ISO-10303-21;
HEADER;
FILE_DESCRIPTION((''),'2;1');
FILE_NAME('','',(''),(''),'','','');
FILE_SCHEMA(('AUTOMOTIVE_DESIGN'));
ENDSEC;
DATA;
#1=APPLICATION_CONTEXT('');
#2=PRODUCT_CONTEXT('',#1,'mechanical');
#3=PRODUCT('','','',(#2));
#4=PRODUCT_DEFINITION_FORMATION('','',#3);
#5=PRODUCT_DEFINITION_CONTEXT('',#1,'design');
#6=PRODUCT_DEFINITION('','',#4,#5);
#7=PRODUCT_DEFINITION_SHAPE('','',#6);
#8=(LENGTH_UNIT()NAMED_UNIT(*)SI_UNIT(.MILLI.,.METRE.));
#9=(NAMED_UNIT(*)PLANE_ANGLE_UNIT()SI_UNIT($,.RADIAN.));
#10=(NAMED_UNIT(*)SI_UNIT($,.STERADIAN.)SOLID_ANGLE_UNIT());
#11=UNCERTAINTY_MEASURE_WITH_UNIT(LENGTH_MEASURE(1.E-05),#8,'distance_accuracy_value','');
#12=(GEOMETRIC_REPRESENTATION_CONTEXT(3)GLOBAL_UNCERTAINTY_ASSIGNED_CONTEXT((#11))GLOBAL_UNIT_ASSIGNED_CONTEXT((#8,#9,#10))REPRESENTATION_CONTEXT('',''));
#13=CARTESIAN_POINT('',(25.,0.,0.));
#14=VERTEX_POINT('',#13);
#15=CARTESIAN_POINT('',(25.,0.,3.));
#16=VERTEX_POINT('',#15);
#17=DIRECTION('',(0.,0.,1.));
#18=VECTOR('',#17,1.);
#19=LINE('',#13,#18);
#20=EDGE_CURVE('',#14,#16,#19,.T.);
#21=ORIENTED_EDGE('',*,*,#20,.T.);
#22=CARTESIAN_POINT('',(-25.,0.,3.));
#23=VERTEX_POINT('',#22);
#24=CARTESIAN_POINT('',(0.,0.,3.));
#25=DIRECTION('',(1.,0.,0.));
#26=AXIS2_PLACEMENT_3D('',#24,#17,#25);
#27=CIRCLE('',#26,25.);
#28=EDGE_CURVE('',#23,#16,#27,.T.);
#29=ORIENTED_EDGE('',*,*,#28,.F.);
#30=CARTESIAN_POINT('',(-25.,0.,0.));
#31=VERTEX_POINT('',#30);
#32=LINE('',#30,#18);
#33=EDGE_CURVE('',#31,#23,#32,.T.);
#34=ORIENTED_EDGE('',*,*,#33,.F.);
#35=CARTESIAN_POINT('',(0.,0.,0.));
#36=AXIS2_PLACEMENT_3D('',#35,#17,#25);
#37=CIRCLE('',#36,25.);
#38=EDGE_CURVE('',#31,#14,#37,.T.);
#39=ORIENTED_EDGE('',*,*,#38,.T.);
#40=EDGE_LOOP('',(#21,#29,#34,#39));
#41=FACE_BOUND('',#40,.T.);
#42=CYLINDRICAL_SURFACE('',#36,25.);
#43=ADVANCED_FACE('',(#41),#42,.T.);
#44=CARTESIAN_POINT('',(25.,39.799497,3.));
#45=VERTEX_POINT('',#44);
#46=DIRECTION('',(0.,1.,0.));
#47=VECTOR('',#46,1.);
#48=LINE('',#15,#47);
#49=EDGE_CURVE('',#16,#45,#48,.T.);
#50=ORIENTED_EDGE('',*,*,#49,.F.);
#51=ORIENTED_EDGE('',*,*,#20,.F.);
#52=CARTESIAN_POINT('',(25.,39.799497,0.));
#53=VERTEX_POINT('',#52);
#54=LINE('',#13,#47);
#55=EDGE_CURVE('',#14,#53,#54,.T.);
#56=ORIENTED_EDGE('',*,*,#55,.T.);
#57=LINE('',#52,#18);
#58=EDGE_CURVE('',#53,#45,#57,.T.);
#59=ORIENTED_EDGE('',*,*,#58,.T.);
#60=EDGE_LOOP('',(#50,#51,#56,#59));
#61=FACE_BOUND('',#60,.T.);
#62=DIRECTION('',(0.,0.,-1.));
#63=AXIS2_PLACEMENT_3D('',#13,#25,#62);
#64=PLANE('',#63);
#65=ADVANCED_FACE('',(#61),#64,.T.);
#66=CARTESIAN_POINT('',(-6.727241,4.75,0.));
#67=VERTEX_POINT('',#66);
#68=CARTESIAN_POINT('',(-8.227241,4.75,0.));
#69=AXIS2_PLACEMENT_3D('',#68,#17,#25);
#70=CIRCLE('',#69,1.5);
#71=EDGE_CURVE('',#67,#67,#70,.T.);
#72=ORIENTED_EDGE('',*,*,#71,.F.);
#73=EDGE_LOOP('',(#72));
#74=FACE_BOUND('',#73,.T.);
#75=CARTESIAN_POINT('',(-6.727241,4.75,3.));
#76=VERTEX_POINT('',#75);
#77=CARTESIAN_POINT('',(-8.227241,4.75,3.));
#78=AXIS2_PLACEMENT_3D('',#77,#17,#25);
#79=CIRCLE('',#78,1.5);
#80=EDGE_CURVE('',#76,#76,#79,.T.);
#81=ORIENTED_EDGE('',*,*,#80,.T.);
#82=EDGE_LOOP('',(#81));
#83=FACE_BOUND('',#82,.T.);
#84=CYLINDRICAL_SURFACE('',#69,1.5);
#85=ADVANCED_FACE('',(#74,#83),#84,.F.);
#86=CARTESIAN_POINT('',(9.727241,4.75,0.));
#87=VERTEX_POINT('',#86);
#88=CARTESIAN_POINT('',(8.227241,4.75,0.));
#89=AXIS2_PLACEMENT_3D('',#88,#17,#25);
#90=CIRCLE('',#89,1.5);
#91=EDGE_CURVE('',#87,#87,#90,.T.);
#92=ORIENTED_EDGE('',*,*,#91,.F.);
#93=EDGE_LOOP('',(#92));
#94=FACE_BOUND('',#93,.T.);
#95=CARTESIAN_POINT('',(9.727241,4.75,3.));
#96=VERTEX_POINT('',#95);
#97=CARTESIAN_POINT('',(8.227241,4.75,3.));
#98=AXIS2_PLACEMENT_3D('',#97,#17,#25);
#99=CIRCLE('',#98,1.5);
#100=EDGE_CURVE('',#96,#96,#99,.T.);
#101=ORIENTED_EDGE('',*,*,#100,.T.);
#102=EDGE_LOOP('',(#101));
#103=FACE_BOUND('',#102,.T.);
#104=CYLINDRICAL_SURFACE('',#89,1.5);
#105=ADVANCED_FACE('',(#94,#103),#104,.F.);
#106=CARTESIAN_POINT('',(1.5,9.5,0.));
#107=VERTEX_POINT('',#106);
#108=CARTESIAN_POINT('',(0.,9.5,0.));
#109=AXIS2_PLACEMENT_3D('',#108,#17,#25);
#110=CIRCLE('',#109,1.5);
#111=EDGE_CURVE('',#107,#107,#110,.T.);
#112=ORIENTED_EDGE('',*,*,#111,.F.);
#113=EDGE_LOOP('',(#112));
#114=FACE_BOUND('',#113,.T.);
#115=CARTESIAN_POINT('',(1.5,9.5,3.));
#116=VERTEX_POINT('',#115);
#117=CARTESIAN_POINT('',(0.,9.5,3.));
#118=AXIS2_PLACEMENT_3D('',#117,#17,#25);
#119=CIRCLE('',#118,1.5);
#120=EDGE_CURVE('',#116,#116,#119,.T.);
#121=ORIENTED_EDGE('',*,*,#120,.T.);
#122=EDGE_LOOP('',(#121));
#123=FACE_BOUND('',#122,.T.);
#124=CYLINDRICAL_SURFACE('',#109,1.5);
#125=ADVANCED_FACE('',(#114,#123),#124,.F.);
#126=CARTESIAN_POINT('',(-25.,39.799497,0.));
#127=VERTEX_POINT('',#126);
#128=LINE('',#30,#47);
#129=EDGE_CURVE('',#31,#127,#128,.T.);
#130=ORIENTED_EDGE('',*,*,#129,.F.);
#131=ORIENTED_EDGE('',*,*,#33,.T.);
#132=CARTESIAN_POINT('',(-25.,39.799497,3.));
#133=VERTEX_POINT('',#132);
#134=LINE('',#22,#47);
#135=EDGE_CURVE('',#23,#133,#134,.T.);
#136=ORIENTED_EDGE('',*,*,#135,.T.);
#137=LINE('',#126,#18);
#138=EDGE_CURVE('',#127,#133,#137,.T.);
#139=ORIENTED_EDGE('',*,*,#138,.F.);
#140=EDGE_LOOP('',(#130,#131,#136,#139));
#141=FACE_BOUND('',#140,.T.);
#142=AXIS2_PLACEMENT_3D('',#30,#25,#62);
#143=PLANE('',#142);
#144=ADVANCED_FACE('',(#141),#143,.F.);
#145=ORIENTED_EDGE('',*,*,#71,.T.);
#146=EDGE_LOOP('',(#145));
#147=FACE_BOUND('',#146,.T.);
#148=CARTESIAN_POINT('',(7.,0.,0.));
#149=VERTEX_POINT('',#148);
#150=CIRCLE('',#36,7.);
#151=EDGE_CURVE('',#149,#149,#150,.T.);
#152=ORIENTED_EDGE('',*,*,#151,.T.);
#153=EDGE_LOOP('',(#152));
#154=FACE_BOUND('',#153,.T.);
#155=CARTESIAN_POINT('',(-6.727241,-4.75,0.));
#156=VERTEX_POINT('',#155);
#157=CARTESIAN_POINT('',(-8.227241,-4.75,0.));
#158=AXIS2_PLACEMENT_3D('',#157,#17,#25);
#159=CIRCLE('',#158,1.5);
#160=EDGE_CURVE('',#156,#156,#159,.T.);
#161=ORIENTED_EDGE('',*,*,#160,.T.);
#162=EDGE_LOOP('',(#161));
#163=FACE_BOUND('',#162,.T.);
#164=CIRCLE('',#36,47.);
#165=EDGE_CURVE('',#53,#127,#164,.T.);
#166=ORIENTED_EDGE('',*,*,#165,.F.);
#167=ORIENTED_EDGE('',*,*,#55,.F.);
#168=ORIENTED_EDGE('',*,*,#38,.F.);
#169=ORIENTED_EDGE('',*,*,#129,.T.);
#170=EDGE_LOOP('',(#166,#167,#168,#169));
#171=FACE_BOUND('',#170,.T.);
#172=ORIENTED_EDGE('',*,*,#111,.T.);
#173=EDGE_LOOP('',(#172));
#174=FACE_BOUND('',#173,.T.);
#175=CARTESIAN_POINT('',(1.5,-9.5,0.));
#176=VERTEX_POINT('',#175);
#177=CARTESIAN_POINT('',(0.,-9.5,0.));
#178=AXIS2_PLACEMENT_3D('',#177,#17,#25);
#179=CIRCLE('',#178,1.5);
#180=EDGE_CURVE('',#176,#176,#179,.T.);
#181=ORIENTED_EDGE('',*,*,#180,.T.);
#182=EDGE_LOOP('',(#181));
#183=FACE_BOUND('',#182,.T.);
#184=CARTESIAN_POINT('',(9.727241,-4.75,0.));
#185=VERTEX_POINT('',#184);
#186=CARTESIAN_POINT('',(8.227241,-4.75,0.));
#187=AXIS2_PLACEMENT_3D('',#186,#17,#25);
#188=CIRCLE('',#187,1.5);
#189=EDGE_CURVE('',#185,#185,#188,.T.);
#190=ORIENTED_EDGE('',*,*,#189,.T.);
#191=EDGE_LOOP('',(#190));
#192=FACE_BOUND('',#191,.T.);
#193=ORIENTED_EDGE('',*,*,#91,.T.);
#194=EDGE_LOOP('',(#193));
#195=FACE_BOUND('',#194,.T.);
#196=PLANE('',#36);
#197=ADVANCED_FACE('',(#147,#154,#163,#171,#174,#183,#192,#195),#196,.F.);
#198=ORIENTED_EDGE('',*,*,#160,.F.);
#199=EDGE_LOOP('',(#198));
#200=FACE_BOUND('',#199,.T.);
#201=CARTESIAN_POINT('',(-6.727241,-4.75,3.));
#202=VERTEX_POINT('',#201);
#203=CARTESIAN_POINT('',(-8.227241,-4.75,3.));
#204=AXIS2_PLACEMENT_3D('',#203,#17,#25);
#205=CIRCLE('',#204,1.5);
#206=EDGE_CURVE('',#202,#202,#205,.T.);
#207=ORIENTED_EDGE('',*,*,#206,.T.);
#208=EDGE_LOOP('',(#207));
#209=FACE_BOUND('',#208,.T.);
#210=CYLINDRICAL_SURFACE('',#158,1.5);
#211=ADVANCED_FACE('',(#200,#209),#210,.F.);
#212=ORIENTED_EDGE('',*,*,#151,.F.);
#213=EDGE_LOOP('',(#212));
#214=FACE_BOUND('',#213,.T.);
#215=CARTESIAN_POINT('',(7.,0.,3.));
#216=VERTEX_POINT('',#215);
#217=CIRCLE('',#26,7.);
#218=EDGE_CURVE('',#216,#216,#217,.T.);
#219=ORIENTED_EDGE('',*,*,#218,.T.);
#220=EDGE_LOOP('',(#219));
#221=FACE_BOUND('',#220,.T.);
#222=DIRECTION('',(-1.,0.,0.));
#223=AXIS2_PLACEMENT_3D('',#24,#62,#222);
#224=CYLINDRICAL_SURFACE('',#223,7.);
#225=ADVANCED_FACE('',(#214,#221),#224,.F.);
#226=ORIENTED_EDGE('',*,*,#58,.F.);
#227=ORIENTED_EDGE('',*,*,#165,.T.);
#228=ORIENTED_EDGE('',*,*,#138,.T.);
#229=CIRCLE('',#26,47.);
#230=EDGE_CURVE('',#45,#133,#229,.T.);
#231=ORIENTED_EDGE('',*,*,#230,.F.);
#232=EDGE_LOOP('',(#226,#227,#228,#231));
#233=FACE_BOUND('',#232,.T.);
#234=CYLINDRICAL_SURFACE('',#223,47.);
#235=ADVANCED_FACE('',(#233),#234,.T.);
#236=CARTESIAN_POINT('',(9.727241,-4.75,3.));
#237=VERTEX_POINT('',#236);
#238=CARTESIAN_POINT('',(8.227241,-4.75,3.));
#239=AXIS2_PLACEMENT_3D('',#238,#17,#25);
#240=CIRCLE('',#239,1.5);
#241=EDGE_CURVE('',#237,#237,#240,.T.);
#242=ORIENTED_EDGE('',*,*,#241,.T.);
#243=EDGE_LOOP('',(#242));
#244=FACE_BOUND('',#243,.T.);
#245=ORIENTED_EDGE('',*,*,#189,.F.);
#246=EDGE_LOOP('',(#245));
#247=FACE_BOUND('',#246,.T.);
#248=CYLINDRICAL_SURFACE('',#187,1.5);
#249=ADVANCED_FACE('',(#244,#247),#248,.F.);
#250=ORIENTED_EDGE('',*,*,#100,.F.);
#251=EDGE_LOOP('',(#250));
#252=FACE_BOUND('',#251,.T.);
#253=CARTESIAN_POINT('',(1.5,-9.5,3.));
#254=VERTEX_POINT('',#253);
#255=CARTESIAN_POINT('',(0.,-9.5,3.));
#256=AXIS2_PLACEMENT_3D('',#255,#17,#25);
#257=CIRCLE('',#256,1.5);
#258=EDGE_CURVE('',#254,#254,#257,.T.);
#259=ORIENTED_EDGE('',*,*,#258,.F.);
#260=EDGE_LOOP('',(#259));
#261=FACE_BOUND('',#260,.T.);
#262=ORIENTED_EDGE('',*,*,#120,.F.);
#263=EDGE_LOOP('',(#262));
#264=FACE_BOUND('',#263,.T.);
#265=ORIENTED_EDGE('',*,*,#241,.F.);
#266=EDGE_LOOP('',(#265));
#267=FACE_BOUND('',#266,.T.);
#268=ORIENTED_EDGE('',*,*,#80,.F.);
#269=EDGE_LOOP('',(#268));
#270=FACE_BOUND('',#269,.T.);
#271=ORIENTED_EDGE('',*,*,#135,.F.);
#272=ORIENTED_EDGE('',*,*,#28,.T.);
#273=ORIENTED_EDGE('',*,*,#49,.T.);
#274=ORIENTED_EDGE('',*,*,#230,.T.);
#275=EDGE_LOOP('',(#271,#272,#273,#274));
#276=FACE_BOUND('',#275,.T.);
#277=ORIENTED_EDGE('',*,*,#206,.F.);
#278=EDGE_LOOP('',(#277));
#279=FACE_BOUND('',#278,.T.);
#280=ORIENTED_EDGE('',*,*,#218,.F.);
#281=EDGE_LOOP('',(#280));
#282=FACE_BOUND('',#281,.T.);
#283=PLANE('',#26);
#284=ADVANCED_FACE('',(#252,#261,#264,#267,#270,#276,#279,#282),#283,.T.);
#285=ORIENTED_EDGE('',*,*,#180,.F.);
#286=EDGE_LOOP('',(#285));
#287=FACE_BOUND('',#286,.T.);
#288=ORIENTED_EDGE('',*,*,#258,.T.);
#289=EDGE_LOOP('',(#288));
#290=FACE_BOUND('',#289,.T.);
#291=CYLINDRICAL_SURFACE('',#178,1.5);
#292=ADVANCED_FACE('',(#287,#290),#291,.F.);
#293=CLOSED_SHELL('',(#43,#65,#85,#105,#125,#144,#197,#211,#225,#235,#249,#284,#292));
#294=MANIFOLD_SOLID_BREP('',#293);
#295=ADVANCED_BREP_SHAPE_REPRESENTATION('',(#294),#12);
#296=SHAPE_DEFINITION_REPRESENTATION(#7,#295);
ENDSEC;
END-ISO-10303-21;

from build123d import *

# Parameters (mm, degrees)
ESQUISSE1_R             = 47
ESQUISSE1_R_2           = 7
BOSS_EXTRU_1_DEPTH      = 3
ESQUISSE2_R             = 1.5
ENL_V_MAT_EXTRU_1_DEPTH = 67.535704701


with BuildPart() as part:
    # Esquisse1 → Boss.-Extru.1 (new body)
    with BuildSketch(Plane.XY):
        Circle(ESQUISSE1_R)
        Circle(ESQUISSE1_R_2, mode=Mode.SUBTRACT)
    extrude(amount=BOSS_EXTRU_1_DEPTH)

    # Esquisse2 → Enlèv. mat.-Extru.1 (cut, through all)
    with BuildSketch(Plane.XY.offset(3)):
        with BuildLine():
            Line((25, 39.799497484), (25, 0))
            ThreePointArc((25, 0), (0, -25), (-25, 0))
            Line((-25, 0), (-25, 39.799497484))
            ThreePointArc((-25, 39.799497484), (0, -47), (25, 39.799497484))
        make_face()
        with Locations((0, 9.5)):
            Circle(ESQUISSE2_R)
        with Locations((8.227241336, 4.75)):
            Circle(ESQUISSE2_R)
        with Locations((8.227241336, -4.75)):
            Circle(ESQUISSE2_R)
        with Locations((0, -9.5)):
            Circle(ESQUISSE2_R)
        with Locations((-8.227241336, -4.75)):
            Circle(ESQUISSE2_R)
        with Locations((-8.227241336, 4.75)):
            Circle(ESQUISSE2_R)
    extrude(amount=-ENL_V_MAT_EXTRU_1_DEPTH, mode=Mode.SUBTRACT)


solid = part.part
